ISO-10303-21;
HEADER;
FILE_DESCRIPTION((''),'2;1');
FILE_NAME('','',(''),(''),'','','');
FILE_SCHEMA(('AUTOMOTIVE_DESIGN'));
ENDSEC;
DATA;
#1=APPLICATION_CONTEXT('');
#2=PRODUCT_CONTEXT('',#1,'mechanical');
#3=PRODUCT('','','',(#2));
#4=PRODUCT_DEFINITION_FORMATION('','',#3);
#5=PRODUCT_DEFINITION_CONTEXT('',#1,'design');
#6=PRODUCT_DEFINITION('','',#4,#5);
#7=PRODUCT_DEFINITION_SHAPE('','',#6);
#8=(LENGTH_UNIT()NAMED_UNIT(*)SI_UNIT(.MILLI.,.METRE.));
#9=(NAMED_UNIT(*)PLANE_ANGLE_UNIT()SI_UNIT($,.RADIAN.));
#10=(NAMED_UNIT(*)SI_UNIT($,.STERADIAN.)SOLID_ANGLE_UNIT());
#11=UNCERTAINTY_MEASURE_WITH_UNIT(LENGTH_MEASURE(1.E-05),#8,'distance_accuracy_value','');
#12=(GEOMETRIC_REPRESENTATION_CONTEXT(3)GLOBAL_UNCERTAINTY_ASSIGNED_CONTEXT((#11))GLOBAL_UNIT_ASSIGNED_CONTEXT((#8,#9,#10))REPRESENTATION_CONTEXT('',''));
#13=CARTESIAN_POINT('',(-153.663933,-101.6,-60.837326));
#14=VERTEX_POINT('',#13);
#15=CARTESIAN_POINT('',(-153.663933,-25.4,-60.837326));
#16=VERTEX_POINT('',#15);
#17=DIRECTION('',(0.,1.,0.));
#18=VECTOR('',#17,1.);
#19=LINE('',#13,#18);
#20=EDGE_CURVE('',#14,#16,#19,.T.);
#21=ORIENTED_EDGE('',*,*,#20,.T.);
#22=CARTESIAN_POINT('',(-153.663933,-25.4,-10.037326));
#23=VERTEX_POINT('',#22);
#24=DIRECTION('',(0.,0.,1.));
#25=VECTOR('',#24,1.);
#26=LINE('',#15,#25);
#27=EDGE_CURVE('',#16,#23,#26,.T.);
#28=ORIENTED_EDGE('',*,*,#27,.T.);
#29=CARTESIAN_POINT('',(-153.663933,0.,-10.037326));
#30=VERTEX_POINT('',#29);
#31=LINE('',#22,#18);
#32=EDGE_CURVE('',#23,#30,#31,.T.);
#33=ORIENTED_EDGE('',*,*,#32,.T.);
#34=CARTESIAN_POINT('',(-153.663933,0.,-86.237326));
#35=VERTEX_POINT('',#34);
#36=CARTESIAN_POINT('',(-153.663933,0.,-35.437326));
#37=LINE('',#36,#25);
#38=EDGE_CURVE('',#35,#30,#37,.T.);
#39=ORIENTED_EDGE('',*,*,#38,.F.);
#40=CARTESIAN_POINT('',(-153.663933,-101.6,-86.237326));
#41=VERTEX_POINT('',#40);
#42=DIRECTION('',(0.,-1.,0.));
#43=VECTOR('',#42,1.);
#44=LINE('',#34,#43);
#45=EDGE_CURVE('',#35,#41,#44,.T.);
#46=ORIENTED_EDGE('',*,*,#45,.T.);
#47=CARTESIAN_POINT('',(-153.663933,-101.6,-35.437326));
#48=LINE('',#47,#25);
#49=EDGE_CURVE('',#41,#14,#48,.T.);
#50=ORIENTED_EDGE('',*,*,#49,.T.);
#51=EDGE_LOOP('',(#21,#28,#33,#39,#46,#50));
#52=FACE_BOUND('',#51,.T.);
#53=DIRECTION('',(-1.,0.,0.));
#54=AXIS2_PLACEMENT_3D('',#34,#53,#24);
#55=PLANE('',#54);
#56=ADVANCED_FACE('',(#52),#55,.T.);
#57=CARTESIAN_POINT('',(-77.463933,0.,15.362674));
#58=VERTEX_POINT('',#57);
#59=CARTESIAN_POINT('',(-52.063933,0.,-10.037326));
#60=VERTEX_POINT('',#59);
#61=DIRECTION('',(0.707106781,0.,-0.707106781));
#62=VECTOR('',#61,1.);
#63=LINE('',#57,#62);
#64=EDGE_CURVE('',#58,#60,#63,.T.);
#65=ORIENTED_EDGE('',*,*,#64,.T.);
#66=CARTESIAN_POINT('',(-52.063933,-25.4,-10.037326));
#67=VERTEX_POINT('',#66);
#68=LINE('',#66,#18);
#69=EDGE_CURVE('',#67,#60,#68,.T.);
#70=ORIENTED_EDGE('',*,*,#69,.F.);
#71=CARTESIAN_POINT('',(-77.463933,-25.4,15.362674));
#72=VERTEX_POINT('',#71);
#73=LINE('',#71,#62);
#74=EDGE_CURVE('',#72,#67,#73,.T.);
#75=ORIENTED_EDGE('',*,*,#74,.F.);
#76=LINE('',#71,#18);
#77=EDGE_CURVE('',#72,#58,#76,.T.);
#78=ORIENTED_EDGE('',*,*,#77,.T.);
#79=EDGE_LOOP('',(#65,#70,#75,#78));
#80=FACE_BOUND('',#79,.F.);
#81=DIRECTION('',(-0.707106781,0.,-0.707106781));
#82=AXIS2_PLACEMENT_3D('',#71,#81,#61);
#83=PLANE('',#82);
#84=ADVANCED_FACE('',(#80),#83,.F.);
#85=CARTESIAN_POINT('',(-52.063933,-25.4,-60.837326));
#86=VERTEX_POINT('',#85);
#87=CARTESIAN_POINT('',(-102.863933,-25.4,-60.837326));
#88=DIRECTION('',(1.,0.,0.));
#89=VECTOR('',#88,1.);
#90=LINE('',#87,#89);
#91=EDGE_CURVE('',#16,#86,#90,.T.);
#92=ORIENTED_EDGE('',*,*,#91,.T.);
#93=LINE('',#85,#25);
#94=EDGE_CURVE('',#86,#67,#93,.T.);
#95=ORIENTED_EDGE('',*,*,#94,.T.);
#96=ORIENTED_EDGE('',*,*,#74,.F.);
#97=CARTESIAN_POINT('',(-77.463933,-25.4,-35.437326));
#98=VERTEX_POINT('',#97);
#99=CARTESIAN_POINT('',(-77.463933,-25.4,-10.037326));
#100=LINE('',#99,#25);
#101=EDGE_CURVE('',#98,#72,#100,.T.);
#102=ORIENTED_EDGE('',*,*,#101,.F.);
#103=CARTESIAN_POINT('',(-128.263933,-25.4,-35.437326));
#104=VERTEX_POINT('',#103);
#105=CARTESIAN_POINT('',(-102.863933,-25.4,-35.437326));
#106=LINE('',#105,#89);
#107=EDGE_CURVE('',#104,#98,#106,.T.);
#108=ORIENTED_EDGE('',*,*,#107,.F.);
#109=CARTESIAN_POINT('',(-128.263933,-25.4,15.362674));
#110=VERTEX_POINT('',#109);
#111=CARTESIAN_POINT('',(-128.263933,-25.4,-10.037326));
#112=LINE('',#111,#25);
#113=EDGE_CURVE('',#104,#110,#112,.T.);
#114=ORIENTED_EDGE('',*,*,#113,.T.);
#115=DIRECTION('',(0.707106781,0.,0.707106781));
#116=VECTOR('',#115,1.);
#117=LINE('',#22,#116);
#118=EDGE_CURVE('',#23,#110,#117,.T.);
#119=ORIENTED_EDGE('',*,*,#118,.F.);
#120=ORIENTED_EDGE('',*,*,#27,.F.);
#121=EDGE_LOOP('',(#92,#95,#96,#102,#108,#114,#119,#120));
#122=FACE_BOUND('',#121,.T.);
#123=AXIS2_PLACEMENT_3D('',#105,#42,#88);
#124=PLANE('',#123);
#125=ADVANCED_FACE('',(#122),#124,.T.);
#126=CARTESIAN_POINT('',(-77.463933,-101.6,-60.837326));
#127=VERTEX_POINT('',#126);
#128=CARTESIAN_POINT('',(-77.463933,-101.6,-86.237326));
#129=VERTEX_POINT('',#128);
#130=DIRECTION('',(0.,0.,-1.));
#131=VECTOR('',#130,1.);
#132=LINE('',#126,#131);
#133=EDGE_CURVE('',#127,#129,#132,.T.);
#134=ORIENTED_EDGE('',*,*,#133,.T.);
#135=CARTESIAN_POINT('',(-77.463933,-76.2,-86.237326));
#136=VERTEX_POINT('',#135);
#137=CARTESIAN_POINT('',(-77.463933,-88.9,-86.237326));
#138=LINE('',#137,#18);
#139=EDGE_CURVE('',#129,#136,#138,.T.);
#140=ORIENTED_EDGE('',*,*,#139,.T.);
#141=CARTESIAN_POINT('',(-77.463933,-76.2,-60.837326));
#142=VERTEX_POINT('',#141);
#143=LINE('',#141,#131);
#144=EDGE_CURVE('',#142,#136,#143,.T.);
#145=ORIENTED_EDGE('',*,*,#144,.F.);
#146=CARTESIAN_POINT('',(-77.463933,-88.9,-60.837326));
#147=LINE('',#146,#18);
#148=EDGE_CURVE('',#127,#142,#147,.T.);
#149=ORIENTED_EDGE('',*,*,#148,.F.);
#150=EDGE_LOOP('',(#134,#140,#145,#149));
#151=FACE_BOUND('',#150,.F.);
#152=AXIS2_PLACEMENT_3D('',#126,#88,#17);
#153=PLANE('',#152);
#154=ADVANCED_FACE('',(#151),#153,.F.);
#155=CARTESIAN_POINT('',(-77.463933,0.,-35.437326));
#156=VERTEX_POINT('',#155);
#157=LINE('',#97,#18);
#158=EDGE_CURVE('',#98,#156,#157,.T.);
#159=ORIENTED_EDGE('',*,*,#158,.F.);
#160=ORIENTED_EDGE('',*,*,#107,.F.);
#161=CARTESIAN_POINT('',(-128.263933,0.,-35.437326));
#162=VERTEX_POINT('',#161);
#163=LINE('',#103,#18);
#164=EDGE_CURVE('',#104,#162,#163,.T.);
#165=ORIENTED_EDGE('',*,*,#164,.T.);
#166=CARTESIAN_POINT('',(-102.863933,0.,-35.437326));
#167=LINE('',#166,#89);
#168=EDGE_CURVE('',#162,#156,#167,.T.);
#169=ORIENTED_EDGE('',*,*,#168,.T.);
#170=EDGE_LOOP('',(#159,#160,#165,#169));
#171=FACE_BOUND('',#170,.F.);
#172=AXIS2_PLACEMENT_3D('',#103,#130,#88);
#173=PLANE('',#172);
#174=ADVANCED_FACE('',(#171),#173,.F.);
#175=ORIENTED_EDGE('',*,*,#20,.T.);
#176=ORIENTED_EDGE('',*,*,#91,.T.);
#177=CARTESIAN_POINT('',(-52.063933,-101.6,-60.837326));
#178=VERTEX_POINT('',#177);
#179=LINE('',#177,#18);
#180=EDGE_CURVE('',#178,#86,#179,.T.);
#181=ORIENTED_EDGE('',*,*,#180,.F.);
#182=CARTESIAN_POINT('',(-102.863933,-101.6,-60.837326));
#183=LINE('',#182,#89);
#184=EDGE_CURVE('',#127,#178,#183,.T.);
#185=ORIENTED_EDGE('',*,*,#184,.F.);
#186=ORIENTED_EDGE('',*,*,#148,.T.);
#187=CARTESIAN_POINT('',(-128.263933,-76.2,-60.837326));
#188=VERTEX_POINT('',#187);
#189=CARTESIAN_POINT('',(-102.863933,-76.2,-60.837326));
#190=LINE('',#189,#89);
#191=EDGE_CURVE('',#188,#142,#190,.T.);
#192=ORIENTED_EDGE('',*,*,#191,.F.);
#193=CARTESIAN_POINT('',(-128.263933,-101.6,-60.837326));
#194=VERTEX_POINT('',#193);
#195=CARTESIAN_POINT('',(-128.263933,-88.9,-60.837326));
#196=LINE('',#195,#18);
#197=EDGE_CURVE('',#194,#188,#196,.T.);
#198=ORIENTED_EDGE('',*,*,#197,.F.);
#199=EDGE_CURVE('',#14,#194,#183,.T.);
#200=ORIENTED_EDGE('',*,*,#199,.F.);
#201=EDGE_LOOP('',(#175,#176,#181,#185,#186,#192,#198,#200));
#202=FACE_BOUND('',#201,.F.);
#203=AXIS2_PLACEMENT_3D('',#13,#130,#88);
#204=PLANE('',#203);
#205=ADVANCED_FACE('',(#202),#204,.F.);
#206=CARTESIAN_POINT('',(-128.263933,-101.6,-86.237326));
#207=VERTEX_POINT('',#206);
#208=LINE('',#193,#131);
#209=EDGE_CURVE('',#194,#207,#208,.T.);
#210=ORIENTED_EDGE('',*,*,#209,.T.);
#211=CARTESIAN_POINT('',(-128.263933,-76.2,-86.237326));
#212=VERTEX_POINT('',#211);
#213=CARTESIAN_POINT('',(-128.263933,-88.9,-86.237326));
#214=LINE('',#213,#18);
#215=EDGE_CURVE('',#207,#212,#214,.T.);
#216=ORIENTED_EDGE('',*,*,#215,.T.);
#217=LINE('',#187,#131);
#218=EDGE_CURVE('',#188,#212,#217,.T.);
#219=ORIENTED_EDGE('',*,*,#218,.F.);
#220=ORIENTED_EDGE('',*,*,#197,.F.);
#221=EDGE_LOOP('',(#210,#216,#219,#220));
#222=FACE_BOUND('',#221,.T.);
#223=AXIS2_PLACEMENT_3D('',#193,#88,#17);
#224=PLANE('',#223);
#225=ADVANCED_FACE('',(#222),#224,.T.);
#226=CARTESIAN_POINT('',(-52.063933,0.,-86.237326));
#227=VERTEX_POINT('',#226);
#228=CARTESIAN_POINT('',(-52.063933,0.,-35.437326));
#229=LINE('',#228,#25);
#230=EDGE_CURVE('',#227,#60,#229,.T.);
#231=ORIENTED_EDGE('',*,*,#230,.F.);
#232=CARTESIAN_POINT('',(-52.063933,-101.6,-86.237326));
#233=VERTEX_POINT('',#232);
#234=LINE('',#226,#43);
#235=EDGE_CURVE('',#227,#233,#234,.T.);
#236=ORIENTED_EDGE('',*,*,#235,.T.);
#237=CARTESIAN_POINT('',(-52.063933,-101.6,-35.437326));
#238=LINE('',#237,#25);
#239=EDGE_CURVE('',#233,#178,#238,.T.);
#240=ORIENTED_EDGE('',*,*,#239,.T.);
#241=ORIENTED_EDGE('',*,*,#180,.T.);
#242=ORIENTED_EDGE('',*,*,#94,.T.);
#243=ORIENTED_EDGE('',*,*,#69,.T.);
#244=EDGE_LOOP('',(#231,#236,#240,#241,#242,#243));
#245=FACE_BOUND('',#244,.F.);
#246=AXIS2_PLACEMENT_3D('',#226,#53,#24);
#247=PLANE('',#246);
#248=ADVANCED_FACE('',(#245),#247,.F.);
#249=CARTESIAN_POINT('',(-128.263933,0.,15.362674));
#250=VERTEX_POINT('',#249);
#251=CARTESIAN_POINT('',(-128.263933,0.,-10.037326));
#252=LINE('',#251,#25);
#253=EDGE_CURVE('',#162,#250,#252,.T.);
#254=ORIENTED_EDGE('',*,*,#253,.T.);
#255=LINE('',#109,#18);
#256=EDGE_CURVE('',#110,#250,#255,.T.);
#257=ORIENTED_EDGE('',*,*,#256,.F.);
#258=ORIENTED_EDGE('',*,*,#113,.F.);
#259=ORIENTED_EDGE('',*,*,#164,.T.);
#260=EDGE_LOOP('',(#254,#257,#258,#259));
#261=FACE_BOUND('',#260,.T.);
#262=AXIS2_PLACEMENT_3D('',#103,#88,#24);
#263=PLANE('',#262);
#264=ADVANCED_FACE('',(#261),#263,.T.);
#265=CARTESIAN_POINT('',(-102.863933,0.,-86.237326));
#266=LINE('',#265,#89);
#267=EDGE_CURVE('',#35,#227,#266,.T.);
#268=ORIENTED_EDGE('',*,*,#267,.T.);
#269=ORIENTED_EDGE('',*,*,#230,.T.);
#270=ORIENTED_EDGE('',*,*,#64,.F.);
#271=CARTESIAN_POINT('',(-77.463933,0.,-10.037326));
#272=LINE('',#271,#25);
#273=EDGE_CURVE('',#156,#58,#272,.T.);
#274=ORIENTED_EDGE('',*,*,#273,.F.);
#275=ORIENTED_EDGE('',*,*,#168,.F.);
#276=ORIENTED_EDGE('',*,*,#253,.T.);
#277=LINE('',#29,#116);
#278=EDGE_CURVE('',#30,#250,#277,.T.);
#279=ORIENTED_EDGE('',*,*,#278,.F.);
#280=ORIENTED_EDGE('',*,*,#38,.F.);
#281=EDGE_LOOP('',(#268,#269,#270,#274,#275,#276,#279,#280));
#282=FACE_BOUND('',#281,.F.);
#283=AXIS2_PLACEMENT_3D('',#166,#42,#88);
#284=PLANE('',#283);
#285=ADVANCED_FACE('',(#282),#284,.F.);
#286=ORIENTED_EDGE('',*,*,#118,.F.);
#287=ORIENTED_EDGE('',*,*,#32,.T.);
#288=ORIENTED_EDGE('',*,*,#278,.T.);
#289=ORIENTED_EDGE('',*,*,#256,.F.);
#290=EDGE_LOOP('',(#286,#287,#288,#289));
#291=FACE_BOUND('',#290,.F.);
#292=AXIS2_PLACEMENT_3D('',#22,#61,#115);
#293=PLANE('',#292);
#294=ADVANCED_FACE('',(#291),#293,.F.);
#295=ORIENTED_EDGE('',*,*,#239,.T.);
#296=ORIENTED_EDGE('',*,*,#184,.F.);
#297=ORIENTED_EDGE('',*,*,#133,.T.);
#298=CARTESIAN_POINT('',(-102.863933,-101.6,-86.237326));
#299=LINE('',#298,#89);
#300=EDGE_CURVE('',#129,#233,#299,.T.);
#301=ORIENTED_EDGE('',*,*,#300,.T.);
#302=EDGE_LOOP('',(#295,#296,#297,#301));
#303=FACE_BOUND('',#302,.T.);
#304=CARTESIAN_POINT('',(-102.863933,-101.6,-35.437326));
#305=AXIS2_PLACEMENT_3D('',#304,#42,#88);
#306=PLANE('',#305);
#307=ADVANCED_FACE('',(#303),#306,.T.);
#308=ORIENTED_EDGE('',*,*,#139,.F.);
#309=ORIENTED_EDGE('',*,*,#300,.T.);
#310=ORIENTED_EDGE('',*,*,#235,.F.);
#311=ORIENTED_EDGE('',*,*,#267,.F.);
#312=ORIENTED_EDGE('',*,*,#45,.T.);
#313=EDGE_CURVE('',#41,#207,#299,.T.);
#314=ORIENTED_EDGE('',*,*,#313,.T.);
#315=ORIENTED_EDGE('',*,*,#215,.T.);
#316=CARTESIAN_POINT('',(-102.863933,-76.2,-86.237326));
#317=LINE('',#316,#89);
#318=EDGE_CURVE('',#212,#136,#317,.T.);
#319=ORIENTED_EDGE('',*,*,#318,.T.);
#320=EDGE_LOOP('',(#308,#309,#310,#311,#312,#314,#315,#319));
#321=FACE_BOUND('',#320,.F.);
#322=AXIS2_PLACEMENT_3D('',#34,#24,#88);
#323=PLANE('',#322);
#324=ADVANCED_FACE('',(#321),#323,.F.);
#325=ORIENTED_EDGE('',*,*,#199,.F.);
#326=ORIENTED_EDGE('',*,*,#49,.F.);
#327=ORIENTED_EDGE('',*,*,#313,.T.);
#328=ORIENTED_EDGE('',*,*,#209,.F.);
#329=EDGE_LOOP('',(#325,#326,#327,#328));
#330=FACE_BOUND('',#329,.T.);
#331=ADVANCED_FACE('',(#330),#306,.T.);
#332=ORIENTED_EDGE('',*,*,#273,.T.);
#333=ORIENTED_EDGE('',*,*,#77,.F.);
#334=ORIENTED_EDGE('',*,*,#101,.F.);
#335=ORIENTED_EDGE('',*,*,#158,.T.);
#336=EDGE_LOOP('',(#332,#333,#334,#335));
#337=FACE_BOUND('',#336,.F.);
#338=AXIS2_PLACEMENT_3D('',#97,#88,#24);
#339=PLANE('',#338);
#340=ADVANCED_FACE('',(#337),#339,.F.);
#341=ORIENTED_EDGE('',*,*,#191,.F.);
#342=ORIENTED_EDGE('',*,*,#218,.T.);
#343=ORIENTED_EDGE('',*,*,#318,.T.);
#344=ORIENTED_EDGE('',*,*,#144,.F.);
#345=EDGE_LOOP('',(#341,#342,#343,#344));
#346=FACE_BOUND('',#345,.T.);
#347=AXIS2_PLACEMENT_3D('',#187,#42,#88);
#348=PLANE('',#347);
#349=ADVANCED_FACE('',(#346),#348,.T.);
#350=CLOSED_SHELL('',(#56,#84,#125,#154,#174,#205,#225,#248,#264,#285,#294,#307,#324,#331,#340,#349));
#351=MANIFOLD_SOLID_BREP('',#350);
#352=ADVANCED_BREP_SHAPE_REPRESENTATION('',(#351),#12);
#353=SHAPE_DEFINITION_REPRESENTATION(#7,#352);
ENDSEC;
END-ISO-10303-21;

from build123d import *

# Parameters (mm, degrees)
F0_W      = 101.6
F0_H      = 101.6
F1_DEPTH  = 101.6
F2_W      = 101.6
F2_H      = 50.8
F3_DEPTH  = 76.2
F4_DEPTH  = 76.2
F5_W      = 50.8
F5_H      = 50.8
F6_DEPTH  = 25.4
F8_DEPTH  = 25.4
F10_DEPTH = 25.4
F11_W     = 50.8
F11_H     = 25.4
F12_DEPTH = 25.4


with BuildPart() as f1:
    # F0 (on Front) → F1 (new body)
    with BuildSketch(Plane.XZ):
        with Locations((-102.8639332771, -35.4373262644)):
            Rectangle(F0_W, F0_H)
    extrude(amount=F1_DEPTH)

    # F2 (on face) → F3 (cut)
    with BuildSketch(Plane.XZ.offset(101.6)):
        with Locations((-102.8639332771, -35.4373262644)):
            Rectangle(F2_W, F2_H)
    extrude(amount=-F3_DEPTH, mode=Mode.SUBTRACT)

    # F4 (cut): a face of the model
    f4_faces = [f1.faces().sort_by_distance(p)[0] for p in [
        (-102.8639332771, -101.6, 2.6626737356),
    ]]
    extrude(f4_faces, amount=-F4_DEPTH, mode=Mode.SUBTRACT)

    # F5 (on face) → F6 (cut)
    with BuildSketch(Plane.XZ.offset(25.4)):
        with Locations((-102.8639332771, -10.0373262644)):
            Rectangle(F5_W, F5_H)
    extrude(amount=-F6_DEPTH, mode=Mode.SUBTRACT)

    # F7 (on face) → F8 (cut)
    with BuildSketch(Plane.XZ.offset(25.4)):
        Polygon((-128.2639332771, 15.3626737356), (-153.6639332771, 15.3626737356), (-153.6639332771, -10.0373262644), align=None)
    extrude(amount=-F8_DEPTH, mode=Mode.SUBTRACT)

    # F9 (on face) → F10 (cut)
    with BuildSketch(Plane.XZ.offset(25.4)):
        Polygon((-52.0639332771, -10.0373262644), (-52.0639332771, 15.3626737356), (-77.4639332771, 15.3626737356), align=None)
    extrude(amount=-F10_DEPTH, mode=Mode.SUBTRACT)

    # F11 (on face) → F12 (cut)
    with BuildSketch(Plane.XY.offset(-60.8373262644)):
        with Locations((-102.8639332771, -88.9)):
            Rectangle(F11_W, F11_H)
    extrude(amount=-F12_DEPTH, mode=Mode.SUBTRACT)


solid = f1.part
